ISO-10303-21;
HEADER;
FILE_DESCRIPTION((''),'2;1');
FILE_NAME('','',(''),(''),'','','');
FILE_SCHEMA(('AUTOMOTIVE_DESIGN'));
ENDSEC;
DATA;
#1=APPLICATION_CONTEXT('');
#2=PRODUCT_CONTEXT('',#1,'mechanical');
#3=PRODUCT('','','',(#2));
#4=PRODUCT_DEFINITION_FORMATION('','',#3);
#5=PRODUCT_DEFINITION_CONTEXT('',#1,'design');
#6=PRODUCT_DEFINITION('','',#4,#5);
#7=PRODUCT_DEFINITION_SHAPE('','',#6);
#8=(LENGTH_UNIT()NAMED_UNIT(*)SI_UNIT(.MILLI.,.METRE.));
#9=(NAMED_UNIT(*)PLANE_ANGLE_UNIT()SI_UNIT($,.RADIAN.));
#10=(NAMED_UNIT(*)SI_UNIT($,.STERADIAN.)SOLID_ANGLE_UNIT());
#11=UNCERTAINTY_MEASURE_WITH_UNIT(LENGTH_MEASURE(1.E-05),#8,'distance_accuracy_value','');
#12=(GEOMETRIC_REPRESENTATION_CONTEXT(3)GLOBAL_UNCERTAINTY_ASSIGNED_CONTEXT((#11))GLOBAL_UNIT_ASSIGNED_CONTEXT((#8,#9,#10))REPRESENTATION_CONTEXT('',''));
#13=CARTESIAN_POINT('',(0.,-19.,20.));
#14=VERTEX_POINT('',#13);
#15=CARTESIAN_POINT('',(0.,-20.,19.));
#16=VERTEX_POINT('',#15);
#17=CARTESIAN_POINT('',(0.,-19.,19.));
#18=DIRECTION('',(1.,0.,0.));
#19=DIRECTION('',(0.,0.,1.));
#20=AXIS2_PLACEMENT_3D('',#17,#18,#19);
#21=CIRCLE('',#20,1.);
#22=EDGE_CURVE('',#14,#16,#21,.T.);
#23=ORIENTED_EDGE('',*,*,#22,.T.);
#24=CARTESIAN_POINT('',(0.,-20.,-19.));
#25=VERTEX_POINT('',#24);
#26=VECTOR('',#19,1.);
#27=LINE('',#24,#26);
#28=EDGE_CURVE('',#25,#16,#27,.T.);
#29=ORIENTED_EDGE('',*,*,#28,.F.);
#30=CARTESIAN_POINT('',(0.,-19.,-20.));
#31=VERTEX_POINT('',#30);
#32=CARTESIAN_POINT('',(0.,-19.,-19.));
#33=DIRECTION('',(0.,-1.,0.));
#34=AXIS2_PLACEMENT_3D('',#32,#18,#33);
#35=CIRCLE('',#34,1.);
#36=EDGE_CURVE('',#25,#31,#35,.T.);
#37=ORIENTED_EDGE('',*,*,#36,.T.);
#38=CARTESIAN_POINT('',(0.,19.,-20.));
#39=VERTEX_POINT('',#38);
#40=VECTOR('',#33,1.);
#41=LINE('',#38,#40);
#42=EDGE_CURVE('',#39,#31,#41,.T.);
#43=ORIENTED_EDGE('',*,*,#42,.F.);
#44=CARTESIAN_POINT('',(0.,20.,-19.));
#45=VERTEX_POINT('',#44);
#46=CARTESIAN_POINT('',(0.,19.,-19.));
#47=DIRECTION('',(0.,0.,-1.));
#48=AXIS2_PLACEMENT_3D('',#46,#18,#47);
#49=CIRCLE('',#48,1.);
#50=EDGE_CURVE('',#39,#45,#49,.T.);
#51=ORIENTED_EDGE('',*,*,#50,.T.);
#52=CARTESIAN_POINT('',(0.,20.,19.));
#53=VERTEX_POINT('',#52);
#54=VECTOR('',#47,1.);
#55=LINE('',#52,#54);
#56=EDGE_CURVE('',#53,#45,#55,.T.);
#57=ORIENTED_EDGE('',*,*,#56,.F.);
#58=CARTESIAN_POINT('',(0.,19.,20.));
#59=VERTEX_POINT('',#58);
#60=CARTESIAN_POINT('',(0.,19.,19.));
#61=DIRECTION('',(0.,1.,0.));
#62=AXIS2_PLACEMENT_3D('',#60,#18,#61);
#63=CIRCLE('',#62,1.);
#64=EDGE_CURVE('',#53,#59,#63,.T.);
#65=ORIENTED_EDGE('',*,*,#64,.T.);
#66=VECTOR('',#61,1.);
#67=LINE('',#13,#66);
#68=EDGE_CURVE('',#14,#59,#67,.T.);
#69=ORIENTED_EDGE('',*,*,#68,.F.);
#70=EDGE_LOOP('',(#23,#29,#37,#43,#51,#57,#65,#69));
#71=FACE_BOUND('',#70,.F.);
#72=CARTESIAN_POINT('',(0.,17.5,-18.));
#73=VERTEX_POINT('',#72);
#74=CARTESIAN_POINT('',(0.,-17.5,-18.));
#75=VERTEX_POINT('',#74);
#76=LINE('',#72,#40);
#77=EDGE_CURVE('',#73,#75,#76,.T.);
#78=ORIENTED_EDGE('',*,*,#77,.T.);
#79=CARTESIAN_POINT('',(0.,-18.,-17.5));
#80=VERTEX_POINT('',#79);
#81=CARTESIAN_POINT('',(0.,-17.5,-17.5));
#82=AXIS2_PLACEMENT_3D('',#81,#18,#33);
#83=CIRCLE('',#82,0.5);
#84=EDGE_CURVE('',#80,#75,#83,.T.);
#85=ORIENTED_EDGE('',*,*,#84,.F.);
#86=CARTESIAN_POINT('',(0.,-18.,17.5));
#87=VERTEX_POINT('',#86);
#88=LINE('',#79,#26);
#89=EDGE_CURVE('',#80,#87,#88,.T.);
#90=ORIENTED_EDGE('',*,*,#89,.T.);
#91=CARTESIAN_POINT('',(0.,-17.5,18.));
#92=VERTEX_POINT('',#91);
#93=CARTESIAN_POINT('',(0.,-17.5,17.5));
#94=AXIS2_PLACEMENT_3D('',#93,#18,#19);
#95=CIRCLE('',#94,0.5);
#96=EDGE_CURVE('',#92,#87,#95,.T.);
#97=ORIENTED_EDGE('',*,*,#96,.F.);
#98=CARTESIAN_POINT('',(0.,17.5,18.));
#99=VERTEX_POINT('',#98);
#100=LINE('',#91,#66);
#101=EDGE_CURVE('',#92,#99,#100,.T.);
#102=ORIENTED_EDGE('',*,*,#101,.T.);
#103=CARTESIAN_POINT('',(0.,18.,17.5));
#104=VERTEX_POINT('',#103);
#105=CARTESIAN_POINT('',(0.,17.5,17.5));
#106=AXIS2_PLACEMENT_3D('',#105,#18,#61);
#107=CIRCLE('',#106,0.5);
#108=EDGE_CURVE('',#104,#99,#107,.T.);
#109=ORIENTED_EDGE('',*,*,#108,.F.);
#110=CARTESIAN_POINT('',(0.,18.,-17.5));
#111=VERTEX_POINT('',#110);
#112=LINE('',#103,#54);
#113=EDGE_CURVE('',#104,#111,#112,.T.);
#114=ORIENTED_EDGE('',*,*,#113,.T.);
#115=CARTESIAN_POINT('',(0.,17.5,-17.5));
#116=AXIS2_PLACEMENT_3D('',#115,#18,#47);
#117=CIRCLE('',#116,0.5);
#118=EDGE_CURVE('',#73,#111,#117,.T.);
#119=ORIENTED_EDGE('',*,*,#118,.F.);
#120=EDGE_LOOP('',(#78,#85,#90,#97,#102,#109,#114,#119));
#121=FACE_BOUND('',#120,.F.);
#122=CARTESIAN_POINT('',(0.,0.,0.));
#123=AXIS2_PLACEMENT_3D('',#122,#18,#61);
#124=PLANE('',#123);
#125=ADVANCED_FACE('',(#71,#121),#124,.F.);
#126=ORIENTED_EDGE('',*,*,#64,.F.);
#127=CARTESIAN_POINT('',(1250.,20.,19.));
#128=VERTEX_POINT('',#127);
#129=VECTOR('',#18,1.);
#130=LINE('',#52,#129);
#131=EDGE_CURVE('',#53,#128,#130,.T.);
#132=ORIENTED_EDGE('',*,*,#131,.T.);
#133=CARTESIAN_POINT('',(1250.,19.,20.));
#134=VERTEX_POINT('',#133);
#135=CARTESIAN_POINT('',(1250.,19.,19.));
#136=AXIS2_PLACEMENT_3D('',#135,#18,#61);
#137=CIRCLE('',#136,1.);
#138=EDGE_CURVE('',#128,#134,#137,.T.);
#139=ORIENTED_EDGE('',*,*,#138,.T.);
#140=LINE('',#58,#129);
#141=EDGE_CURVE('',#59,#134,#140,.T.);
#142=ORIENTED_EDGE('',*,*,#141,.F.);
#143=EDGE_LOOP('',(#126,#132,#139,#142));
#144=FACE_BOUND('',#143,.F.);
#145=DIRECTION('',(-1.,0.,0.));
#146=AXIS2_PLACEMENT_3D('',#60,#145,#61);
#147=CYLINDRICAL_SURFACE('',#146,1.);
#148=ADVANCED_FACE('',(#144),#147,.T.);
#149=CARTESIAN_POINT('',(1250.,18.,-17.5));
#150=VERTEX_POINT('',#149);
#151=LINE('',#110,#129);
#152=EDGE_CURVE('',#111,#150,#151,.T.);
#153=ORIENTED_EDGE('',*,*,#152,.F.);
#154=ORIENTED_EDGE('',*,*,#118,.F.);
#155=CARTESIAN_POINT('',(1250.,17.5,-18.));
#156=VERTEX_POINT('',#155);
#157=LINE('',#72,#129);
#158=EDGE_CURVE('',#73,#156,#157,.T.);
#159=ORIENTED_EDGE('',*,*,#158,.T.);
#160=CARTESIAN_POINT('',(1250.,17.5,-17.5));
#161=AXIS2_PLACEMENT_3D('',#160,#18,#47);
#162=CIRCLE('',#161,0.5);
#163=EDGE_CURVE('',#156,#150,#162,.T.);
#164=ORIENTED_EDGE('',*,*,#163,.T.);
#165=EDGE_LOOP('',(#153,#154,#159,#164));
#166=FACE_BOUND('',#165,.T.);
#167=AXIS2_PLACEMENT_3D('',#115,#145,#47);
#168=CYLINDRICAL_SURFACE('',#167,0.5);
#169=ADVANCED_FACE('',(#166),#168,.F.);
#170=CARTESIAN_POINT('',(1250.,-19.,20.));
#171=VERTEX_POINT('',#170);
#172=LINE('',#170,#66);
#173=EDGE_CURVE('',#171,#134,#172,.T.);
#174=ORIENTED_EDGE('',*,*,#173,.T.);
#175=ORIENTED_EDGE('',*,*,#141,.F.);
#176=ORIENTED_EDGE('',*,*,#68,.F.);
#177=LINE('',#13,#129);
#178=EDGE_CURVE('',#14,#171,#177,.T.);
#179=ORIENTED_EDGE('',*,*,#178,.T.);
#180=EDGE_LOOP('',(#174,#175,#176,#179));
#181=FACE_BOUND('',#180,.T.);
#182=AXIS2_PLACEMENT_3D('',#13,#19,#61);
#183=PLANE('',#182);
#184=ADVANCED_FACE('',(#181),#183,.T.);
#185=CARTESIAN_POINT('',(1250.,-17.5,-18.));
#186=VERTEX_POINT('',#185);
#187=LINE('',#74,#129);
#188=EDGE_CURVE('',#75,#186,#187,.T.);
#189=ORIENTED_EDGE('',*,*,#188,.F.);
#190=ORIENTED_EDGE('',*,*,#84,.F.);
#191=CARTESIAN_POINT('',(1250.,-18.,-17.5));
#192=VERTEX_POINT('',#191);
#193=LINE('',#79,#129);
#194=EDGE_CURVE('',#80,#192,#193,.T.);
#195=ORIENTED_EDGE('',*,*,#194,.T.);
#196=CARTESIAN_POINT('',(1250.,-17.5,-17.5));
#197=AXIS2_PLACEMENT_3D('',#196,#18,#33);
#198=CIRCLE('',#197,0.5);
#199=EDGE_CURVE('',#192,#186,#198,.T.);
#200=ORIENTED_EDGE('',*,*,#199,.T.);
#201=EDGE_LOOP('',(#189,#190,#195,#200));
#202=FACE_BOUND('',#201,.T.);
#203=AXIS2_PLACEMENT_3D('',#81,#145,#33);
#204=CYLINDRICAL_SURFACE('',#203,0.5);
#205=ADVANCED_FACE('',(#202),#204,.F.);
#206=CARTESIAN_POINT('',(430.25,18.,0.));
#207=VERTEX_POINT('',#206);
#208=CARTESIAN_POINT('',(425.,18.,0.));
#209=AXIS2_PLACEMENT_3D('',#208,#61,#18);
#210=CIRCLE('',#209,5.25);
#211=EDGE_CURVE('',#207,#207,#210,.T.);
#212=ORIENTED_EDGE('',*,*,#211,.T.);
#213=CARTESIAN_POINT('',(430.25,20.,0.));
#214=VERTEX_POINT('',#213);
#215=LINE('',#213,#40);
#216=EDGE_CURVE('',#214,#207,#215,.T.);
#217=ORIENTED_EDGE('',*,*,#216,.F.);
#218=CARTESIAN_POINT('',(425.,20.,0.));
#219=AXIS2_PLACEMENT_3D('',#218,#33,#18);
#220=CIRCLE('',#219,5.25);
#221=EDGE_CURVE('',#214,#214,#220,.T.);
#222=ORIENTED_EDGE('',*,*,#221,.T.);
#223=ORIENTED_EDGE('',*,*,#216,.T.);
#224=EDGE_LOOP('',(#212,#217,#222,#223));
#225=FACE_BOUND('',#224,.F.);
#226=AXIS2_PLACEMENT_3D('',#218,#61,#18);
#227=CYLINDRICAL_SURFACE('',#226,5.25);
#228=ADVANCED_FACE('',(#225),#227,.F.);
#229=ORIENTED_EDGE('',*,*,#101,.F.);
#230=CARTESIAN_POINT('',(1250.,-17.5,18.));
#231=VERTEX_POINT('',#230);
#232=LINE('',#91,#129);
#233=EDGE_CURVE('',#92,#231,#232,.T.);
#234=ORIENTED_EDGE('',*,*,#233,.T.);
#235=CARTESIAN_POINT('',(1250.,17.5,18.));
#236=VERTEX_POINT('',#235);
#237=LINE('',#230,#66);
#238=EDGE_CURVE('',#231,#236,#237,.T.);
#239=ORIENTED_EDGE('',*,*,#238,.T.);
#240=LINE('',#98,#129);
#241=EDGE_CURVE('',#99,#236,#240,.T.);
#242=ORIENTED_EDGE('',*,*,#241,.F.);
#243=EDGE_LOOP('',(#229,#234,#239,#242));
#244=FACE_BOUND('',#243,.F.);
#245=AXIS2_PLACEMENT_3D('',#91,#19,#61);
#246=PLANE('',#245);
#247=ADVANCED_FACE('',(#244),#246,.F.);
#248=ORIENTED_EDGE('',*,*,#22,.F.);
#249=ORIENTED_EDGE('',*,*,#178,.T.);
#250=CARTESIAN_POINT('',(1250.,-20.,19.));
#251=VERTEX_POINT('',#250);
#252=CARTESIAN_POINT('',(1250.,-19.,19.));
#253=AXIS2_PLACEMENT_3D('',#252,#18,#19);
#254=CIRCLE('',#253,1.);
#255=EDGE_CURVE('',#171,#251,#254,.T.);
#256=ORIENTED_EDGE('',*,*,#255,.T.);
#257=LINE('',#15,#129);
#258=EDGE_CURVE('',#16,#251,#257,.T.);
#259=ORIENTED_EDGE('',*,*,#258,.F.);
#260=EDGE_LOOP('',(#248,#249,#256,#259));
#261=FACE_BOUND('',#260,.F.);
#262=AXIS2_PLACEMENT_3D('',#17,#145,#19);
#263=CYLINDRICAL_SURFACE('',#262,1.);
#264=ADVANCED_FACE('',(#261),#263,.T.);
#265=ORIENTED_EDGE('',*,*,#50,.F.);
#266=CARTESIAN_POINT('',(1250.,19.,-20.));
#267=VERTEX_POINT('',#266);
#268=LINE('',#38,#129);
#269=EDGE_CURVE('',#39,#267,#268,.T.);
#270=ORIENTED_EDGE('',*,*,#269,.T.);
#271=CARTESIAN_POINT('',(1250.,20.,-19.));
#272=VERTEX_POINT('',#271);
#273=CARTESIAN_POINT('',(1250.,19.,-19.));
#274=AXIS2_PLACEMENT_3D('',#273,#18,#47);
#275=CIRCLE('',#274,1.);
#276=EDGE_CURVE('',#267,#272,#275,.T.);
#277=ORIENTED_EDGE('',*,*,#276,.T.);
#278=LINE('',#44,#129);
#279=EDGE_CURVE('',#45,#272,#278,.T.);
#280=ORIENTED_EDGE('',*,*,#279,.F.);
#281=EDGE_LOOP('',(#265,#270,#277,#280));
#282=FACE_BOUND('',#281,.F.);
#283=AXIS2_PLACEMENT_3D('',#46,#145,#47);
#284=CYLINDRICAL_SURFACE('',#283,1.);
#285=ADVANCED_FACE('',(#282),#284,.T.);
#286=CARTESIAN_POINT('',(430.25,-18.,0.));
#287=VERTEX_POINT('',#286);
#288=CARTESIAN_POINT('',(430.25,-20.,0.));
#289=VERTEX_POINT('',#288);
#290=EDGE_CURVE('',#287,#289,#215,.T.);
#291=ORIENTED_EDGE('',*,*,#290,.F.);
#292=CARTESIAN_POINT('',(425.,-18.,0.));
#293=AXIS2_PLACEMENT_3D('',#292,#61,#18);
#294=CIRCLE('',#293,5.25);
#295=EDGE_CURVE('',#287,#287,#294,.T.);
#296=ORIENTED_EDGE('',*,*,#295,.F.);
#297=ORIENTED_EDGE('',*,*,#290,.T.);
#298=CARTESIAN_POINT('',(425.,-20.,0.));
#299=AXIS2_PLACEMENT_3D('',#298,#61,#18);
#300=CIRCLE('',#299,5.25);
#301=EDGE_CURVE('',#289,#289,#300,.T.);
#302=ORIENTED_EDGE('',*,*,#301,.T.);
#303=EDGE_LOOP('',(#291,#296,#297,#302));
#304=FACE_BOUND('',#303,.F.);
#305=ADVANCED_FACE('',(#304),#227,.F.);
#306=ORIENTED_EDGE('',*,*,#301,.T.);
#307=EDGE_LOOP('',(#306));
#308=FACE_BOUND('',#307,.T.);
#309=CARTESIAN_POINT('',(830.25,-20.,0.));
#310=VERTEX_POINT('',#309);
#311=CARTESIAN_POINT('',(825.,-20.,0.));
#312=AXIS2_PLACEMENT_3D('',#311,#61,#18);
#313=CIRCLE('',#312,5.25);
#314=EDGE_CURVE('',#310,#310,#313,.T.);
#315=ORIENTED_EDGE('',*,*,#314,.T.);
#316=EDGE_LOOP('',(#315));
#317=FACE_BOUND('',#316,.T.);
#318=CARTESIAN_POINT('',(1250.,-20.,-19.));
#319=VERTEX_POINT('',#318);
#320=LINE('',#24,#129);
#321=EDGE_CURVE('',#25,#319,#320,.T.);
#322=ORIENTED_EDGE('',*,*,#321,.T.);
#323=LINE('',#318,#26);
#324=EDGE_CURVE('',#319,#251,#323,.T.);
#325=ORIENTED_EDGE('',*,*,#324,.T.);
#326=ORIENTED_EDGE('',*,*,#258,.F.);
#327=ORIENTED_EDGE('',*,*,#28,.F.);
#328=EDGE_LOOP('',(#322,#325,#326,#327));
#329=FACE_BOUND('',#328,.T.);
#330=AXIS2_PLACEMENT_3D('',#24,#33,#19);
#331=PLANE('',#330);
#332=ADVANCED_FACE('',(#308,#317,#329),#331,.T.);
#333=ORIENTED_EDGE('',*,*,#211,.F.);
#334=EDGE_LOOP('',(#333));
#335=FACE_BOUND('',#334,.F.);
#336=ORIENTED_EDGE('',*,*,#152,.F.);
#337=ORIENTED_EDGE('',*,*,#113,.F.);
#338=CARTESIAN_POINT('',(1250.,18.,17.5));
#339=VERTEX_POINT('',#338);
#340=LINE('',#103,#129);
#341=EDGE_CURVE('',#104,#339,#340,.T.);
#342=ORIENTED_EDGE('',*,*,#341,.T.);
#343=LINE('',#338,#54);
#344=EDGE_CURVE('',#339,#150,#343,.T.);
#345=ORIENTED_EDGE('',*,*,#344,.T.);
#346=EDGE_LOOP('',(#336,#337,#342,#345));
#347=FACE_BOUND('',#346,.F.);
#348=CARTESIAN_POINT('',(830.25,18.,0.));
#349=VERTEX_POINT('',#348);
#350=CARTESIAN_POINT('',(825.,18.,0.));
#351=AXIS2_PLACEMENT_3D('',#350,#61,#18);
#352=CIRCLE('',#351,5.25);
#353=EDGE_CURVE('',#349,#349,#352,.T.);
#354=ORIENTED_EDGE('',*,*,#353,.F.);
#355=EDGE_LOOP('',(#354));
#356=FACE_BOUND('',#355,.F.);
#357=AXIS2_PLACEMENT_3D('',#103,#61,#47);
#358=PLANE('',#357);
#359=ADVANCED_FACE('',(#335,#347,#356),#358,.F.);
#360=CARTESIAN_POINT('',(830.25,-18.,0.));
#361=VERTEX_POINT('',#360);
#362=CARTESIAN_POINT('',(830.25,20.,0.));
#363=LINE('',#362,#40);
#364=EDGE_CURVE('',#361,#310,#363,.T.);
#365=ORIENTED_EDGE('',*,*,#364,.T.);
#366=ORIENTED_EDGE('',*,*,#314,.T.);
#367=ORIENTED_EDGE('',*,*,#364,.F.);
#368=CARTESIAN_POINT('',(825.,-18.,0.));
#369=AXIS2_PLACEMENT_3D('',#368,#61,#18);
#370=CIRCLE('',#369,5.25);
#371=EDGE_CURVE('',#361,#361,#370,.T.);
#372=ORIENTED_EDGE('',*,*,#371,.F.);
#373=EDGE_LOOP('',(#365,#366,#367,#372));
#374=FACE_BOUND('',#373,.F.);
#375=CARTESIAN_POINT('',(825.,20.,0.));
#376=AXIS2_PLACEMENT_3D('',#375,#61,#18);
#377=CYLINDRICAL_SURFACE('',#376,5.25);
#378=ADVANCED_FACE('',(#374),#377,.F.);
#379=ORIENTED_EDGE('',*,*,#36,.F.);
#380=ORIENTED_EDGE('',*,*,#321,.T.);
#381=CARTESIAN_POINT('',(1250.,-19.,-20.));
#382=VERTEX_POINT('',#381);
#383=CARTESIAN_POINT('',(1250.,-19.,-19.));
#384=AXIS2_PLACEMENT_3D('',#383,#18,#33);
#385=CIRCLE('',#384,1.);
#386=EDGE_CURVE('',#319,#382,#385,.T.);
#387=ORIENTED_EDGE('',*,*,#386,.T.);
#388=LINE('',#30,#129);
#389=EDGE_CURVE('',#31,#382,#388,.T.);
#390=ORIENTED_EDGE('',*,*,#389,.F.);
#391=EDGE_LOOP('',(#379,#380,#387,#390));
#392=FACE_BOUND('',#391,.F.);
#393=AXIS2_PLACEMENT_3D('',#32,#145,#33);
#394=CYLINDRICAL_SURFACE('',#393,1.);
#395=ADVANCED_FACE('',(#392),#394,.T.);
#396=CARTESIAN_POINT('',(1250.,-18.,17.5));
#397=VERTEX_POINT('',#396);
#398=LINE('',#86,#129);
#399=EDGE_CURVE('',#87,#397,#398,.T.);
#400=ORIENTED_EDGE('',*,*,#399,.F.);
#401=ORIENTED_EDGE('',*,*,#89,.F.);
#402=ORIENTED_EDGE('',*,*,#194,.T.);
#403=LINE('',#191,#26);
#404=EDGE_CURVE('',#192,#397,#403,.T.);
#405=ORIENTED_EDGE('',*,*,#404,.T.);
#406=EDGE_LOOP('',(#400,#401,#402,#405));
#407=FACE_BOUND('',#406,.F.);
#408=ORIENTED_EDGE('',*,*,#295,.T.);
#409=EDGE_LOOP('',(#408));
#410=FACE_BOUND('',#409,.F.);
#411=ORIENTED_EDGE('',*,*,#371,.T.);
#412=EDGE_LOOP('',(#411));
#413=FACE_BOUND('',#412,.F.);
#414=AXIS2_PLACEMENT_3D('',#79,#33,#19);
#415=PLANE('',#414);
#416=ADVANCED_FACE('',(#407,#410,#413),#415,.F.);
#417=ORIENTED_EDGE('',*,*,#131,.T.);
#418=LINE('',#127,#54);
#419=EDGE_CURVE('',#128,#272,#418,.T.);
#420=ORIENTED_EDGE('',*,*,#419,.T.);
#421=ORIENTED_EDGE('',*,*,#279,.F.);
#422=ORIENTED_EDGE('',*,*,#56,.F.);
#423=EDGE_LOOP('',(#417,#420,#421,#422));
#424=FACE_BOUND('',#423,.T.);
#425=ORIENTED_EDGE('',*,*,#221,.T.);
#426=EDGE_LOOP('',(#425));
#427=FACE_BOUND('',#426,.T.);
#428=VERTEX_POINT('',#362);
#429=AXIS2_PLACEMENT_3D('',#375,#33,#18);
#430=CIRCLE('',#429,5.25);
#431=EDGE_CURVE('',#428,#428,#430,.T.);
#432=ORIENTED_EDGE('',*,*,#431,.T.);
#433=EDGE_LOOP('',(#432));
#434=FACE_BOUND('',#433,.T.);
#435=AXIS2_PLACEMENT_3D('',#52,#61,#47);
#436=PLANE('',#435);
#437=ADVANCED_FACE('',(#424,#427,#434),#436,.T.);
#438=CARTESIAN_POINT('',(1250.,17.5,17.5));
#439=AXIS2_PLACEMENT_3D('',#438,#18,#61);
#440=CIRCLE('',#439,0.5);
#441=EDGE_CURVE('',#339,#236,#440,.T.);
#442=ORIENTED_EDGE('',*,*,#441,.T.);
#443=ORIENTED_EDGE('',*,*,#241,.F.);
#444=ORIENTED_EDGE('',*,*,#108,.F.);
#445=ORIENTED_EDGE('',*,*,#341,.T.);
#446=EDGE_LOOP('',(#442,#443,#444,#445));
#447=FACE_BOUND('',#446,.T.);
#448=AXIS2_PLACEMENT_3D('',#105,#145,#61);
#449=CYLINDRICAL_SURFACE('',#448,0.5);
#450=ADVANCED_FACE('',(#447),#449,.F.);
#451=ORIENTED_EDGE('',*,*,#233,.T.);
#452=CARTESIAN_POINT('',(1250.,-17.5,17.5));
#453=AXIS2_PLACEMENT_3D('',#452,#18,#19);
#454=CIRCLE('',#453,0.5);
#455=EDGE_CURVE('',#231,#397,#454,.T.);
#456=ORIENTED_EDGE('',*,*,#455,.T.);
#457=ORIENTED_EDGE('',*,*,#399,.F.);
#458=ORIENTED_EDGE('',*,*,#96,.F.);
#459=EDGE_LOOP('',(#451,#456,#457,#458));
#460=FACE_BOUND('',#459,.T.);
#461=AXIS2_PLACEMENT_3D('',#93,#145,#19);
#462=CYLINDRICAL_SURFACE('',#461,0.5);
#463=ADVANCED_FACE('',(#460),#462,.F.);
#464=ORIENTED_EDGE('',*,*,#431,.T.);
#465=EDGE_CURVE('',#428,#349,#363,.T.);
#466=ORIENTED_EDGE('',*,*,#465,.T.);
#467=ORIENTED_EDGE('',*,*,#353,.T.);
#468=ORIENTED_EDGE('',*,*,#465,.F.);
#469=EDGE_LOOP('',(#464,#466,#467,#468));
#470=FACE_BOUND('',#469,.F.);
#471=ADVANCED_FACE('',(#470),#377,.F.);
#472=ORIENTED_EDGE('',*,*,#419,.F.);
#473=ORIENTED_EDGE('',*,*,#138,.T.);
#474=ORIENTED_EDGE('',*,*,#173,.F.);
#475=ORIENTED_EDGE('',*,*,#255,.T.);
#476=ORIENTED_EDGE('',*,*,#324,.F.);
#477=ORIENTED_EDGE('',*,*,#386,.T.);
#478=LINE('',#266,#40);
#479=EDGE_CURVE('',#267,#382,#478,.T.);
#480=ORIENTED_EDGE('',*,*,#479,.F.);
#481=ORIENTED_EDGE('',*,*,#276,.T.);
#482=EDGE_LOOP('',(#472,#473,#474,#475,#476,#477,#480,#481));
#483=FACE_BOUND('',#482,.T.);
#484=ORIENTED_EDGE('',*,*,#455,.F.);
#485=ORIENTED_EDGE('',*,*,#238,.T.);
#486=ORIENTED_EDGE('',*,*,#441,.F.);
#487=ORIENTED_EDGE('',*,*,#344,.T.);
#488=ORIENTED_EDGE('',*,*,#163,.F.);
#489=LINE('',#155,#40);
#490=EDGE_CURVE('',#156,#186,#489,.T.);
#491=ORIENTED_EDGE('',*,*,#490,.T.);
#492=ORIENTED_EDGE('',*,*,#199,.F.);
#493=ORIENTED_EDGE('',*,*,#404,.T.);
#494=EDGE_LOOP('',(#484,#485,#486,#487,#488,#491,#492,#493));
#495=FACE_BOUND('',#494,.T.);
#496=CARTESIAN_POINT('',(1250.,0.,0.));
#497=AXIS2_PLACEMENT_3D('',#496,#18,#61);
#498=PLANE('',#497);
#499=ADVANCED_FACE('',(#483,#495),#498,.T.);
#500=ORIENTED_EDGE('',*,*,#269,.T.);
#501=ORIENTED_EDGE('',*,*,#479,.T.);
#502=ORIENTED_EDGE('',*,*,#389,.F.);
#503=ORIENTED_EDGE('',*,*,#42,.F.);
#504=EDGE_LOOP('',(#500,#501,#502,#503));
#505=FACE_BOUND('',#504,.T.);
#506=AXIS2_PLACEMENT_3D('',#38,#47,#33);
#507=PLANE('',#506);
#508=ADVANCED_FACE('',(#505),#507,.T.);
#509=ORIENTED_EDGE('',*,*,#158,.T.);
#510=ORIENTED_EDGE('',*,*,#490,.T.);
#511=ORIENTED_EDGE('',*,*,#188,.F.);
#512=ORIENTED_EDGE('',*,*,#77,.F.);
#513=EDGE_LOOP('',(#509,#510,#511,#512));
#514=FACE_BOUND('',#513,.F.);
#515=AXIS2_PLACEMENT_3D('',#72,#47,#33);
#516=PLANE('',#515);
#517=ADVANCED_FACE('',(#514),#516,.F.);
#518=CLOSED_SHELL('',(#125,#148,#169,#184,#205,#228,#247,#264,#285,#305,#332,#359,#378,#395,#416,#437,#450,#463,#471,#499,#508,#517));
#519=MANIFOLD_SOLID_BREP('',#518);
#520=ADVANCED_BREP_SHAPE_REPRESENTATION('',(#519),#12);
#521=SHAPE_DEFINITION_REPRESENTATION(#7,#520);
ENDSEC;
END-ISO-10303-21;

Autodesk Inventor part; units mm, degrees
ref_plane "YZ Plane" through (0, 0, 0) normal (1, 0, 0) x (0, 1, 0)
ref_plane "XZ Plane" through (0, 0, 0) normal (0, 1, 0) x (-1, 0, 0)
ref_plane "XY Plane" through (0, 0, 0) normal (0, 0, 1) x (1, 0, 0)
sketch "Skizze1" plane through (0, 0, 0) normal (1, 0, 0) x (0, 1, 0)
  line L0 (-19, 20) -> (19, 20)
  line L1 (20, 19) -> (20, -19)
  line L2 (19, -20) -> (-19, -20)
  line L3 (-20, -19) -> (-20, 19)
  line L4 (-20, 20) -> (20, -20) construction
  line L5 (20, 20) -> (-20, -20) construction
  line L6 (-17.5, 18) -> (17.5, 18)
  line L7 (18, 17.5) -> (18, -17.5)
  line L8 (17.5, -18) -> (-17.5, -18)
  line L9 (-18, -17.5) -> (-18, 17.5)
  line L10 (-18, 18) -> (18, -18) construction
  line L11 (18, 18) -> (-18, -18) construction
  arc A0 (20, 19) -> (19, 20) centre (19, 19) ccw
  arc A1 (-19, 20) -> (-20, 19) centre (-19, 19) ccw
  arc A2 (-20, -19) -> (-19, -20) centre (-19, -19) ccw
  arc A3 (19, -20) -> (20, -19) centre (19, -19) ccw
  arc A4 (18, 17.5) -> (17.5, 18) centre (17.5, 17.5) ccw
  arc A5 (-17.5, 18) -> (-18, 17.5) centre (-17.5, 17.5) ccw
  arc A6 (-18, -17.5) -> (-17.5, -18) centre (-17.5, -17.5) ccw
  arc A7 (17.5, -18) -> (18, -17.5) centre (17.5, -17.5) ccw
  point P0 (0, 0)
  dimension "d0" = 40
  dimension "d1" = 40
  dimension "d2" = 36
  dimension "d3" = 36
  dimension "d4" = 1
  dimension "d5" = 0.5
extrude "Extrusion1" add sketch "Skizze1" along normal blind 1250
sketch "Skizze2" plane through (0, 20, 19) normal (0, 1, 0) x (1, 0, 0)
  line L0 (0, 19) -> (425, 19)
  circle A0 centre (425, 19) radius 5.25
  line L1 (425, 19) -> (825, 19)
  circle A1 centre (825, 19) radius 5.25
  dimension "d8" = 425
  dimension "d9" = 10.5
  dimension "d10" = 400
  dimension "d11" = 10.5
extrude "Extrusion2" cut sketch "Skizze2" against normal blind 1250
properties part number "Quer_Traverse_Sitz" material "Aluminium 6061"
